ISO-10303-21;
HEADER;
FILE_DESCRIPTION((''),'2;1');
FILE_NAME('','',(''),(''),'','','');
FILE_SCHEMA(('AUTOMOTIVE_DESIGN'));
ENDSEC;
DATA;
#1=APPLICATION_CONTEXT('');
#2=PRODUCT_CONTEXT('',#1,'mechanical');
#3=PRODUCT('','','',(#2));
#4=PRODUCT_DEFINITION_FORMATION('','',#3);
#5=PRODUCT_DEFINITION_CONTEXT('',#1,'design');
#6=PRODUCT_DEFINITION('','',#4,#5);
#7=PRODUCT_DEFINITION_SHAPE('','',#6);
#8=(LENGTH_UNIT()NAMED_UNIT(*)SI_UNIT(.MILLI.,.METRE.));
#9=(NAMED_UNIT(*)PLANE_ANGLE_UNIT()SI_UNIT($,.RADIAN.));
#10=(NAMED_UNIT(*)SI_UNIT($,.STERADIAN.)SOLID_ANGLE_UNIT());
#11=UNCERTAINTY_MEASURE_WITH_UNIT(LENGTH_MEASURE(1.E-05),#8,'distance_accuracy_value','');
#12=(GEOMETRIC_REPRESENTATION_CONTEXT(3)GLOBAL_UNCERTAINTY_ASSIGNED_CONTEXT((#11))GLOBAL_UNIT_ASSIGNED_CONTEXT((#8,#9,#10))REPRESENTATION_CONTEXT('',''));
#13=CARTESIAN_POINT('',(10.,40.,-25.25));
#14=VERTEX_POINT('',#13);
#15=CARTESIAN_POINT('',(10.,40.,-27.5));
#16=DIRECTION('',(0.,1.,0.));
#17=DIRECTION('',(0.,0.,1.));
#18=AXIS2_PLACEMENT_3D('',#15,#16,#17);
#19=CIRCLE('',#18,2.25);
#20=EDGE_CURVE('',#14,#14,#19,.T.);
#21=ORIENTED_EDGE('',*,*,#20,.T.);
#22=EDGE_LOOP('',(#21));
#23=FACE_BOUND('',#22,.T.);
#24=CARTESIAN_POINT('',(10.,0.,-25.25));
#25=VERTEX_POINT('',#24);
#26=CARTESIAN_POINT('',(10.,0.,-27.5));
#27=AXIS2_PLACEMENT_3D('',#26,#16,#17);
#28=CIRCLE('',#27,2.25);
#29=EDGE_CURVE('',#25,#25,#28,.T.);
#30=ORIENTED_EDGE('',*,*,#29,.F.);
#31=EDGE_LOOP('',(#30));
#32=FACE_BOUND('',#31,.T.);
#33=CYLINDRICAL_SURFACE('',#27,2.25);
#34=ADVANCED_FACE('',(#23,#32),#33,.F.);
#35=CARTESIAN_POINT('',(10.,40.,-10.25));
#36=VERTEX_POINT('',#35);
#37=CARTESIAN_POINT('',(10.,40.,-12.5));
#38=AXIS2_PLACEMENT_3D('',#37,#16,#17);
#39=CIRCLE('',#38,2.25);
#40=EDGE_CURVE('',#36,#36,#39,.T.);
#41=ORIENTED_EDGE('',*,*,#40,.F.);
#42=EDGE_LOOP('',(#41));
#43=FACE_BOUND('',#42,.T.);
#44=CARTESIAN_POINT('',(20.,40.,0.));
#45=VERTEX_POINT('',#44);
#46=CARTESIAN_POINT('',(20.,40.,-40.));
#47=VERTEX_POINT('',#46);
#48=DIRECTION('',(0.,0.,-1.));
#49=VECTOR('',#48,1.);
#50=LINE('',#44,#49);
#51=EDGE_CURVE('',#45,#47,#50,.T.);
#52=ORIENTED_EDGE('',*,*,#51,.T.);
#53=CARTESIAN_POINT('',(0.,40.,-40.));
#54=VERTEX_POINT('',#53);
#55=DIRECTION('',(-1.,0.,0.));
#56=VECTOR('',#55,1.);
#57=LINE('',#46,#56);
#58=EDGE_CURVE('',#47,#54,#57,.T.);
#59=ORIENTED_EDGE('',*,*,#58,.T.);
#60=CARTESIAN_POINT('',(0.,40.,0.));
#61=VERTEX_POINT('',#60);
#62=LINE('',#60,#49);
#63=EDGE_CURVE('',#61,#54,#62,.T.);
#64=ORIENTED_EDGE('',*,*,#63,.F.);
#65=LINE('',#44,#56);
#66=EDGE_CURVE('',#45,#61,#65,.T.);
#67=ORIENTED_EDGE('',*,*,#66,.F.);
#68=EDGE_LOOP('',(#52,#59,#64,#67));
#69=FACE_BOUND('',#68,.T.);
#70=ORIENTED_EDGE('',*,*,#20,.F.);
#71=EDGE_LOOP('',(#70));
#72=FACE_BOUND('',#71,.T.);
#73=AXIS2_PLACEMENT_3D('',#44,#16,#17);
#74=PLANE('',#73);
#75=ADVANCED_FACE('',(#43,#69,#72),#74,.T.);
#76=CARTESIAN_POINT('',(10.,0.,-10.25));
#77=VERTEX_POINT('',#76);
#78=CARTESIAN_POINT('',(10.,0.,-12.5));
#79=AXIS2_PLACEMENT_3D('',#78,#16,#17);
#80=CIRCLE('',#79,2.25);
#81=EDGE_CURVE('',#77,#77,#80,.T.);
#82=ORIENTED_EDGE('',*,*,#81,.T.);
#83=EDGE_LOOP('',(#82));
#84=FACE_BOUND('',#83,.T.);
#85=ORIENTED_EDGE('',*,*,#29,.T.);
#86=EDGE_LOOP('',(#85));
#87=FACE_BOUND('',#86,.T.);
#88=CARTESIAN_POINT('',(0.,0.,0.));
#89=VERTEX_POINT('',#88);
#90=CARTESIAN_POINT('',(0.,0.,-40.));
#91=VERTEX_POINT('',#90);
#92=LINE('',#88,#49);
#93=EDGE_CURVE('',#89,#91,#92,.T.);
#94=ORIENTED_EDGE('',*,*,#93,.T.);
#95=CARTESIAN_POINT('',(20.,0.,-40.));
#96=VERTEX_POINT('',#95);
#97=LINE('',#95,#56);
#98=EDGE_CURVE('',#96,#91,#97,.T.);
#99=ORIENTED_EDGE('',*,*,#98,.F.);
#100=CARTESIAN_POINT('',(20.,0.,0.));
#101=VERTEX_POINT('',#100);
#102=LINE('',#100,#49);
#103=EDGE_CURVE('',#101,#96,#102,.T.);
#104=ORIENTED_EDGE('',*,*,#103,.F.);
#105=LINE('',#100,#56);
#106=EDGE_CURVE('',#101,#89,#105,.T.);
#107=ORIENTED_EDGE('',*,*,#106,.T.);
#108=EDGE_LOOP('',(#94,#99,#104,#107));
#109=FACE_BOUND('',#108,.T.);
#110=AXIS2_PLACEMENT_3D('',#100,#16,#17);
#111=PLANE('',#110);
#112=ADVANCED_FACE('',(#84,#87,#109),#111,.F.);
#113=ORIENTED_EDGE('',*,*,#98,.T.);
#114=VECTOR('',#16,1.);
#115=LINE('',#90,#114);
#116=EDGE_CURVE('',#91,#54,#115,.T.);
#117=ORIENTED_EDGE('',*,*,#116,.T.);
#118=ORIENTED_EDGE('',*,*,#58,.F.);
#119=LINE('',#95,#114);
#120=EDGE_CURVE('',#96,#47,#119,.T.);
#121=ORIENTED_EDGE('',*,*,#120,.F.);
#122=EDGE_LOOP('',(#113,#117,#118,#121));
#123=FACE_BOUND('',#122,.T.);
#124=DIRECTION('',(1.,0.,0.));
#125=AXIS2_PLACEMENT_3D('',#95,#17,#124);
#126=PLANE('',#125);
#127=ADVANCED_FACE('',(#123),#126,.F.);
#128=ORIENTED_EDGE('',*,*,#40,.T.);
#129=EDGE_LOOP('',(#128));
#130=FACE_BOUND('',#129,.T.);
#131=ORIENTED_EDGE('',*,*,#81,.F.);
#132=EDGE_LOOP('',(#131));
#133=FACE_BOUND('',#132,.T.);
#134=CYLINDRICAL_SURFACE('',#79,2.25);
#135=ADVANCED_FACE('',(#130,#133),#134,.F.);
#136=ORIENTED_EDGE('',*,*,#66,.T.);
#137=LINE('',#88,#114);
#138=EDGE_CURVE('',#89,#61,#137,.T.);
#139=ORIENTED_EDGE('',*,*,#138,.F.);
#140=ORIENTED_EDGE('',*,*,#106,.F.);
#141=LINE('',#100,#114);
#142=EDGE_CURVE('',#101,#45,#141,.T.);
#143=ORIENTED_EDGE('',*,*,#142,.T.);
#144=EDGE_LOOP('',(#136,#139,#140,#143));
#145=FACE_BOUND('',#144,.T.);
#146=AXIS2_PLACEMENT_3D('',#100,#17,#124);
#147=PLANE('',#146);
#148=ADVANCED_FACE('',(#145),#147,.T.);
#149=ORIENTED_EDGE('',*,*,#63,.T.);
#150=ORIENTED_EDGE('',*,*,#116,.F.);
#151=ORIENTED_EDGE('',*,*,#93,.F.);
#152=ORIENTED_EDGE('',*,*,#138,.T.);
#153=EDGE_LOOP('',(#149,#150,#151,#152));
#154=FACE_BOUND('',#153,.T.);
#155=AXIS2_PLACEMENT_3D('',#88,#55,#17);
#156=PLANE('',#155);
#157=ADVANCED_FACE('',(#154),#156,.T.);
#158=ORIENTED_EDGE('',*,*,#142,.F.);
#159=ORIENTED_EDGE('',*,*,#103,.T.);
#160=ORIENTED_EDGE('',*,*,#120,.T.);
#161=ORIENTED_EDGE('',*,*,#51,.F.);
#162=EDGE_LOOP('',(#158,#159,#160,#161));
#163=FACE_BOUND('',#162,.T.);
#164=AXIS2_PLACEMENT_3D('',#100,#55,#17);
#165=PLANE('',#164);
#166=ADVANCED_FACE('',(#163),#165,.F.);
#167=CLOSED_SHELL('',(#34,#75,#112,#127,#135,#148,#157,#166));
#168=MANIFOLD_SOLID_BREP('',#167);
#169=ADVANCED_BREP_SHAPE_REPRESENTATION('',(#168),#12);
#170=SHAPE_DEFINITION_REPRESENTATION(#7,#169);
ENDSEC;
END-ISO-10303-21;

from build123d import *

# Parameters (mm, degrees)
SKETCH_1_W          = 40
SKETCH_1_H          = 40
EXTRUDE_1_DEPTH     = 20
SKETCH_2_R          = 2.25
CUT_EXTRUDE_1_DEPTH = 41


with BuildPart() as part:
    # 草图1 → 凸台-拉伸1 (new body)
    with BuildSketch(Plane(origin=(0, 0, 0), x_dir=(0, 0, -1), z_dir=(1, 0, 0))):
        with Locations((20, 20)):
            Rectangle(SKETCH_1_W, SKETCH_1_H)
    extrude(amount=EXTRUDE_1_DEPTH)

    # 草图2 → 切除-拉伸1 (cut, through all)
    with BuildSketch(Plane(origin=(0, 40, 0), x_dir=(1, 0, 0), z_dir=(0, 1, 0))):
        with Locations((10, 27.5)):
            Circle(SKETCH_2_R)
        with Locations((10, 12.5)):
            Circle(SKETCH_2_R)
    extrude(amount=-CUT_EXTRUDE_1_DEPTH, mode=Mode.SUBTRACT)


solid = part.part
